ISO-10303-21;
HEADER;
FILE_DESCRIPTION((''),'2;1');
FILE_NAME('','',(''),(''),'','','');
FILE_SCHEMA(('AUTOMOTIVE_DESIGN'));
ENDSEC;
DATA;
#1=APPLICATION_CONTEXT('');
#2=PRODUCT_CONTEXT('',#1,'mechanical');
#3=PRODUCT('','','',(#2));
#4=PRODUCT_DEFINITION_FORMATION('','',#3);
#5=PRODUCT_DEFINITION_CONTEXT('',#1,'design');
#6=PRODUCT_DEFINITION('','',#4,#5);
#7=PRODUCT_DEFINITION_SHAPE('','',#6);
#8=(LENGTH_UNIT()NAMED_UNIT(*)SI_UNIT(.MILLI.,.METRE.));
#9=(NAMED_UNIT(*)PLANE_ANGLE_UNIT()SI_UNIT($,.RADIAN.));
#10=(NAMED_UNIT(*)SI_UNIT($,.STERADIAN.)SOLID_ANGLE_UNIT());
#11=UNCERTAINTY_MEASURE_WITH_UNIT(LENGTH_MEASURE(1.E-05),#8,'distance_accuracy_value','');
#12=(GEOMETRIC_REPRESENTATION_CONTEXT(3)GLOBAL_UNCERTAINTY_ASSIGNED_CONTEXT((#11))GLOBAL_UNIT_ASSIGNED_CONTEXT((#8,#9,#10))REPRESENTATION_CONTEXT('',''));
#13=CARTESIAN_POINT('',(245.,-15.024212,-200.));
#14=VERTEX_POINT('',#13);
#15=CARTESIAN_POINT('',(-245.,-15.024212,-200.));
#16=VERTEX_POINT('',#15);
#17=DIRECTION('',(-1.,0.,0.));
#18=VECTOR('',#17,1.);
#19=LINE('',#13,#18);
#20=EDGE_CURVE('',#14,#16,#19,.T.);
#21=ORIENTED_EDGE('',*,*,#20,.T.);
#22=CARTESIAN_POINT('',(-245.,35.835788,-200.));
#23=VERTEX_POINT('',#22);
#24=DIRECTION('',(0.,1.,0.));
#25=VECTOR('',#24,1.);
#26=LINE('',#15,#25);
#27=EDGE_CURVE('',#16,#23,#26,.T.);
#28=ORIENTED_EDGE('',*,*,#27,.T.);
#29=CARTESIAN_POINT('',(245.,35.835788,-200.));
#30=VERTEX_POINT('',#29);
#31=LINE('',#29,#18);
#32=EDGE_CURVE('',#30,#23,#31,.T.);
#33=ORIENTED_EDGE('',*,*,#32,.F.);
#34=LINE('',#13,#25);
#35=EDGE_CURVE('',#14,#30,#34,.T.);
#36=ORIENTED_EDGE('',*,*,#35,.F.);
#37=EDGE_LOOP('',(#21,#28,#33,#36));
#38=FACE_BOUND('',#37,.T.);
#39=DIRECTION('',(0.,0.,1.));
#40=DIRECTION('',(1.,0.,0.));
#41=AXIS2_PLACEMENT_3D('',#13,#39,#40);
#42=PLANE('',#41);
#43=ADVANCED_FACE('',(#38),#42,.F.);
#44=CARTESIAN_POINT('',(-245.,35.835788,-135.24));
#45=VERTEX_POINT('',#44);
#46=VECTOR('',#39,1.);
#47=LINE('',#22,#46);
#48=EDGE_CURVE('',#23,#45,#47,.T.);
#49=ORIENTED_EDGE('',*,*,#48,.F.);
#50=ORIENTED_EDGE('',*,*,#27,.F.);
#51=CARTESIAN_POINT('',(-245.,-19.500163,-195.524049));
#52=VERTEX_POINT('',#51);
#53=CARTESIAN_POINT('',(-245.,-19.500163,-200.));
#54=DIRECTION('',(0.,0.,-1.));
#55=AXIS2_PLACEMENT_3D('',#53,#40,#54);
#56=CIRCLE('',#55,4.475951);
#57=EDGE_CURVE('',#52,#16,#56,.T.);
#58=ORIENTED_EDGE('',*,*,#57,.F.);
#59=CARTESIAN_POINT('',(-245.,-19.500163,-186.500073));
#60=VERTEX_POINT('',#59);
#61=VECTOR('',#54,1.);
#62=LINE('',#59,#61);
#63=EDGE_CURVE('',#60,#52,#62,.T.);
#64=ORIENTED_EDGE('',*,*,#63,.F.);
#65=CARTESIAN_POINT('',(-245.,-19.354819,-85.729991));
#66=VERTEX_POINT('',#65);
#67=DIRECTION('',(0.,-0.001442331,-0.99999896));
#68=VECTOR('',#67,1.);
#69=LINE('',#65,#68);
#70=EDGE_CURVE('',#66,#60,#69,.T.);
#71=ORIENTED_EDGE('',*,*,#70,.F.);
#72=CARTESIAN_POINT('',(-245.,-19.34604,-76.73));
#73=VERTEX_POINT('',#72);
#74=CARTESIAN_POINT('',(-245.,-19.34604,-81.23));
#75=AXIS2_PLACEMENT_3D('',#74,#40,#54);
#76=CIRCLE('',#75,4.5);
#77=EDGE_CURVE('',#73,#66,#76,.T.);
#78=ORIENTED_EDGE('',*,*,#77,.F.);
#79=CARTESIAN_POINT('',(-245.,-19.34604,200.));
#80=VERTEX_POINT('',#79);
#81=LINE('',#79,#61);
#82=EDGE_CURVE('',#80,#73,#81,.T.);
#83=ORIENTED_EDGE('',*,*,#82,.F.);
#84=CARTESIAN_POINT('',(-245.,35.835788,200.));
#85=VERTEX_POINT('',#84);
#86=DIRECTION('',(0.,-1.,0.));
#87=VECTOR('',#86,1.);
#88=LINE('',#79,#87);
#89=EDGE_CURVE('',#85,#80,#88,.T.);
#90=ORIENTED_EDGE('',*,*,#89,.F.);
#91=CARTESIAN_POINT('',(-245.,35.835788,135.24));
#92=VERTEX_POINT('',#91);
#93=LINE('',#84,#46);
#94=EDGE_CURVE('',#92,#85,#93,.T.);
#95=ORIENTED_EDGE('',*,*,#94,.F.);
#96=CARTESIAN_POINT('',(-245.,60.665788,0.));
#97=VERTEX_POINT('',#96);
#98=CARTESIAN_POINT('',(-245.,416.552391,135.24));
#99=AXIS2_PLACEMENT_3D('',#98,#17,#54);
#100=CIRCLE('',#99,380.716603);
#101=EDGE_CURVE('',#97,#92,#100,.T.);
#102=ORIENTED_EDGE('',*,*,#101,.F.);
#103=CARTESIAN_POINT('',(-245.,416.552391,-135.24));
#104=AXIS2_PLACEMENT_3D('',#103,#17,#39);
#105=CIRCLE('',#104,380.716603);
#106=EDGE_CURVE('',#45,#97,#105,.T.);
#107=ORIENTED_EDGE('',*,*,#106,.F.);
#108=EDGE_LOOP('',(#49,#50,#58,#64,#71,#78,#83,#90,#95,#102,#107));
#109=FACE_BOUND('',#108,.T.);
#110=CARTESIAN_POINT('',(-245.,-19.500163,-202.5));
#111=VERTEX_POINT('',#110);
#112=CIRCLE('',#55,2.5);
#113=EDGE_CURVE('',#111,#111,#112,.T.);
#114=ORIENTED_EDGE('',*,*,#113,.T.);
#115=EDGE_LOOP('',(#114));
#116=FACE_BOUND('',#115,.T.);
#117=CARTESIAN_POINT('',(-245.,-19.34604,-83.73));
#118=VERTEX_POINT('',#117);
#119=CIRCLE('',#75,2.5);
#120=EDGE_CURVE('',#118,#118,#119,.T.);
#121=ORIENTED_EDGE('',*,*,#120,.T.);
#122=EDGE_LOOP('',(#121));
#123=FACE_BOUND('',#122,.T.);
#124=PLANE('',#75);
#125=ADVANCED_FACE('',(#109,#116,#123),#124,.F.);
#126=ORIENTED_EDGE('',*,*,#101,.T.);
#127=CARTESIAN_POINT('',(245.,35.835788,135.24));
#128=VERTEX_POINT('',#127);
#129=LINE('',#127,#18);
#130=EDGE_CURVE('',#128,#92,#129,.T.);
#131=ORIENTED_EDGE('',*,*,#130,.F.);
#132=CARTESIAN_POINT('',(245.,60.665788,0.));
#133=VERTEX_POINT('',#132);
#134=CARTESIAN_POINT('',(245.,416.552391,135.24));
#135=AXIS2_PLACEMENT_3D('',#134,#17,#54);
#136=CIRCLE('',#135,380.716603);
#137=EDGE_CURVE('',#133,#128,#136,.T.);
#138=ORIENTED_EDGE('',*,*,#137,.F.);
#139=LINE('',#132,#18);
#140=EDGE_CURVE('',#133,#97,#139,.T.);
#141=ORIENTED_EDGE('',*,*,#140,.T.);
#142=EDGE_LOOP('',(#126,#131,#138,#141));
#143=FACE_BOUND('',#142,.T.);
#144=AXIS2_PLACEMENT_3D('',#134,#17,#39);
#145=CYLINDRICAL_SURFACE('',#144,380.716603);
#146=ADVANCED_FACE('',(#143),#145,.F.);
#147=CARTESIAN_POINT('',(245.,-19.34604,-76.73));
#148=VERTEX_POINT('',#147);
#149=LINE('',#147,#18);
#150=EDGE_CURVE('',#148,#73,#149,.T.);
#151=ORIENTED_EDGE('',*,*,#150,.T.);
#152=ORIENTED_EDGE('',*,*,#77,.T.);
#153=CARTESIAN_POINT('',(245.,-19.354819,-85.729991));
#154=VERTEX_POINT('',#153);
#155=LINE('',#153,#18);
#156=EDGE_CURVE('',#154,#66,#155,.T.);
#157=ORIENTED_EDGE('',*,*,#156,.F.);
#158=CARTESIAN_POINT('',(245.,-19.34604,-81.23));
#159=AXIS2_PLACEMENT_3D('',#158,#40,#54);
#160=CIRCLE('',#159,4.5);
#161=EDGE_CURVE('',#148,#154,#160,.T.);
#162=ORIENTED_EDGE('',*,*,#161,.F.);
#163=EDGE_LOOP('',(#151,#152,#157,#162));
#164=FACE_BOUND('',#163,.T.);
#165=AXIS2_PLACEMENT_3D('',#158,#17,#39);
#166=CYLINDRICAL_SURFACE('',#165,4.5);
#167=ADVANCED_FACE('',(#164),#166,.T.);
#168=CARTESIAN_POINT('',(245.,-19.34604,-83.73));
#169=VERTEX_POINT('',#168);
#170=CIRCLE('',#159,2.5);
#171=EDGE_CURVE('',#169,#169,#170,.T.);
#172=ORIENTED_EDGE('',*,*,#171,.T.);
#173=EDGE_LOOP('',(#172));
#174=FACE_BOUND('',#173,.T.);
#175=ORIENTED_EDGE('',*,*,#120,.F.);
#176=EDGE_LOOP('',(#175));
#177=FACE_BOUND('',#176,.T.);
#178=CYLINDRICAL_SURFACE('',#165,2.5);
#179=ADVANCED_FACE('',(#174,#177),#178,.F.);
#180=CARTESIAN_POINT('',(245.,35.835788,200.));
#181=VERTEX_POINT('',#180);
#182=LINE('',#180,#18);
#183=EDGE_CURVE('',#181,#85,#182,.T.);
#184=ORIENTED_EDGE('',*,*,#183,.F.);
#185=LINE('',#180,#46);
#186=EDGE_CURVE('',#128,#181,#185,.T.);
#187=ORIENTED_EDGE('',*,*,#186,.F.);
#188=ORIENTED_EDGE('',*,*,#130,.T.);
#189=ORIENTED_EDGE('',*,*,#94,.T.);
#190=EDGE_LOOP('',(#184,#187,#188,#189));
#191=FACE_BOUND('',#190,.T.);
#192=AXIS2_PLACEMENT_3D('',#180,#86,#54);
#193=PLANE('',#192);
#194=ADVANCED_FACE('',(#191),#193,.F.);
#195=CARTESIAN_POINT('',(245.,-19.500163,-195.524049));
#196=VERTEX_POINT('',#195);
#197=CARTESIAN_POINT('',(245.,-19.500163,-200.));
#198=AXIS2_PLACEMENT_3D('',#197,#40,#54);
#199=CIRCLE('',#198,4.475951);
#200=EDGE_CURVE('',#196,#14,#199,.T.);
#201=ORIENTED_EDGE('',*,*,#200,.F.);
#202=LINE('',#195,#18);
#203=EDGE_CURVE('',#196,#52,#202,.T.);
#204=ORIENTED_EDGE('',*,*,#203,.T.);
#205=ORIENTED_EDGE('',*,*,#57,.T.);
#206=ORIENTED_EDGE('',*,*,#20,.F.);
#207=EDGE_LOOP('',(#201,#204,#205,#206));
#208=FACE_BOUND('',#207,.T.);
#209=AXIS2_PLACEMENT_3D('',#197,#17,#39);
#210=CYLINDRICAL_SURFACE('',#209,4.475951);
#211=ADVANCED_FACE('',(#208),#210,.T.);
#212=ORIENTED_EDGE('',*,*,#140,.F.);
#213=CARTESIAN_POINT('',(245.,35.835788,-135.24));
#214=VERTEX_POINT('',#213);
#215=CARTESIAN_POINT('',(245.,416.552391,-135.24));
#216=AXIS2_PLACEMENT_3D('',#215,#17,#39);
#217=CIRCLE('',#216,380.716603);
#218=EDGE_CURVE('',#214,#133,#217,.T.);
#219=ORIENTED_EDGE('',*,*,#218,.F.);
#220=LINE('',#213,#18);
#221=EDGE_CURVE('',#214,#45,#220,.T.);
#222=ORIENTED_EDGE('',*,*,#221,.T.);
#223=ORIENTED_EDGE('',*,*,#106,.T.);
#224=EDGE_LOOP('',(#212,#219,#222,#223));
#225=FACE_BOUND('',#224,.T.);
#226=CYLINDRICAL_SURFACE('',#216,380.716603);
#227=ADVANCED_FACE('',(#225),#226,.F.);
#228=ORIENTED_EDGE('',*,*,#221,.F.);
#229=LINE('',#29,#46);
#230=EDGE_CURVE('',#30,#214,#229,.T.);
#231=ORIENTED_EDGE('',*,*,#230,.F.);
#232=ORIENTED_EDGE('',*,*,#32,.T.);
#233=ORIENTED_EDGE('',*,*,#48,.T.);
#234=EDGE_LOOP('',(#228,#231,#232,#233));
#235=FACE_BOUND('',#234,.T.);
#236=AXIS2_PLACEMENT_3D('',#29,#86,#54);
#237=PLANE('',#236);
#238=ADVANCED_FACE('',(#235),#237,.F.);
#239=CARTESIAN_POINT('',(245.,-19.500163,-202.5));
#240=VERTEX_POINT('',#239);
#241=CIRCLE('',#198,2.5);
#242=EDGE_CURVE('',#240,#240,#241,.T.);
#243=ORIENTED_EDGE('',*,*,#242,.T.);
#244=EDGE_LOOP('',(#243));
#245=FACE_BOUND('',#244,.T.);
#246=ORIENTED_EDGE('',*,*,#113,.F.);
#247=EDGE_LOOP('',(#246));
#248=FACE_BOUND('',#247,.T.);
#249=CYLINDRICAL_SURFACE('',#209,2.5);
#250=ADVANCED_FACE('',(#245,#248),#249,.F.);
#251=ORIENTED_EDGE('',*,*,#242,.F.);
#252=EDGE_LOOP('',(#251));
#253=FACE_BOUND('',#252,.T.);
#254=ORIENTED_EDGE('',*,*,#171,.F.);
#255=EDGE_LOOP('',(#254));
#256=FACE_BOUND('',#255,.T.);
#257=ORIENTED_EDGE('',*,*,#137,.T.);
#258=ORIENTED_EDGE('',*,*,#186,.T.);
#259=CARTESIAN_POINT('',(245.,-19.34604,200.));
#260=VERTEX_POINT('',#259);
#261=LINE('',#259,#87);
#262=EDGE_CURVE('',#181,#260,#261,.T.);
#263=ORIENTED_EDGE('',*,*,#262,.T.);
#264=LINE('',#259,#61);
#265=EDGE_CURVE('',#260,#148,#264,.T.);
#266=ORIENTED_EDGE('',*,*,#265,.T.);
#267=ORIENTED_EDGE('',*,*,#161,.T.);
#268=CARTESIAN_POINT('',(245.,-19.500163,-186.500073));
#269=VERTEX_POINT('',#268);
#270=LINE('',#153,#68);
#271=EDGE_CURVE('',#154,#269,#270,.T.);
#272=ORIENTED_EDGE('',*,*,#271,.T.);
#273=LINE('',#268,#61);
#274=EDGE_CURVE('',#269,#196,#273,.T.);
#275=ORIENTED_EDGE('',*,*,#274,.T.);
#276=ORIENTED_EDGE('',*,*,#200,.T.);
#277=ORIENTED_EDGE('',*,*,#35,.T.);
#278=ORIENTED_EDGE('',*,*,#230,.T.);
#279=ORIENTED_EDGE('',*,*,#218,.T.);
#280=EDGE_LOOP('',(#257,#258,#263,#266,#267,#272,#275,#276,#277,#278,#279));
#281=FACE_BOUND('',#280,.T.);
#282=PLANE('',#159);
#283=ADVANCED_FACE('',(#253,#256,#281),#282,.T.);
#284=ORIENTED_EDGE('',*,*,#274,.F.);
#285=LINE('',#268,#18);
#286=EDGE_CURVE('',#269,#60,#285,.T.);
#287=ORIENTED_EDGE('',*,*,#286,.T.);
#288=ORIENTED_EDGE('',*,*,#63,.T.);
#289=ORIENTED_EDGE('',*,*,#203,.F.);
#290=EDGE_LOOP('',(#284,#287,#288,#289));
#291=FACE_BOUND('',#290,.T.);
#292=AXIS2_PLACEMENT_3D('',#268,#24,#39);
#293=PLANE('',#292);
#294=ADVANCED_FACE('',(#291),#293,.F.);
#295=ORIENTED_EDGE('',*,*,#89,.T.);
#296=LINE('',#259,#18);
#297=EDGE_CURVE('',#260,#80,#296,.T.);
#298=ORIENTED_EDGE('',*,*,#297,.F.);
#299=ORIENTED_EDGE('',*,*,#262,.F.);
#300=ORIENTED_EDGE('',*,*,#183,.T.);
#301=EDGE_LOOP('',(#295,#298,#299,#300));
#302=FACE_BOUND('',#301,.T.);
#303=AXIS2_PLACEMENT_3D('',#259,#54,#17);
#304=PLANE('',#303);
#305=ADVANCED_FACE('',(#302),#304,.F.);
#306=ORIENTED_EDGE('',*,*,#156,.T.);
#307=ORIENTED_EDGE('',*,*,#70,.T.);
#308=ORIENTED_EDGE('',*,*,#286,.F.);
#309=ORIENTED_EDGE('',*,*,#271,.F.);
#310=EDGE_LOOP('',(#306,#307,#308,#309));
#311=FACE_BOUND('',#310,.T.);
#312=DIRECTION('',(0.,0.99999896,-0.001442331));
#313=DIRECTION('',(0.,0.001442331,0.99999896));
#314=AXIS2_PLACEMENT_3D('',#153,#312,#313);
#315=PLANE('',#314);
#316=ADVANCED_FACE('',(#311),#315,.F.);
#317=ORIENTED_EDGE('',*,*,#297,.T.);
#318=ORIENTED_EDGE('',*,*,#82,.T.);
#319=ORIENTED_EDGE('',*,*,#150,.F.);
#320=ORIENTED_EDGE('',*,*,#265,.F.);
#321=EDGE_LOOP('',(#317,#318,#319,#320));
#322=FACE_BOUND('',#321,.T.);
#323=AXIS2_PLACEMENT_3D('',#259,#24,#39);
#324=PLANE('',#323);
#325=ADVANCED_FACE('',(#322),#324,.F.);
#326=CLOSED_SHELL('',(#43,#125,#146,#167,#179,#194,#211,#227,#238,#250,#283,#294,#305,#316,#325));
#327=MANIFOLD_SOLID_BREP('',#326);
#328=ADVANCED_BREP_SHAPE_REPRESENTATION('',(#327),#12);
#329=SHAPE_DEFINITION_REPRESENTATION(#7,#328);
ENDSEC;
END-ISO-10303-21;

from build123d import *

# Parameters (mm, degrees)
ESBO_O1_R                = 2.5
RESSALTO_EXTRUS_O1_DEPTH = 245


with BuildPart() as part:
    # Esboço1 → Ressalto-extrusão1 (new, symmetric)
    with BuildSketch(Plane(origin=(0, 0, 0), x_dir=(0, 0, -1), z_dir=(1, 0, 0))):
        with BuildLine():
            Line((-200, -19.346040211), (-200, 35.835787631))
            Line((-200, 35.835787631), (-135.24, 35.835787631))
            ThreePointArc((-135.24, 35.835787631), (-66.489751819, 42.094735918), (0, 60.665787631))
            ThreePointArc((0, 60.665787631), (66.489751819, 42.094735918), (135.24, 35.835787631))
            Line((135.24, 35.835787631), (200, 35.835787631))
            Line((200, 35.835787631), (200, -15.024212369))
            ThreePointArc((200, -15.024212369), (203.164975379, -22.665138853), (195.524048894, -19.500163474))
            Line((195.524048894, -19.500163474), (186.500073192, -19.500163474))
            Line((186.500073192, -19.500163474), (85.729991436, -19.354819463))
            ThreePointArc((85.729991436, -19.354819463), (81.225610372, -23.84603807), (76.73, -19.346040211))
            Line((76.73, -19.346040211), (-200, -19.346040211))
        make_face()
        with Locations((81.23, -19.346040211)):
            Circle(ESBO_O1_R, mode=Mode.SUBTRACT)
        with Locations((200, -19.500163474)):
            Circle(ESBO_O1_R, mode=Mode.SUBTRACT)
    extrude(amount=RESSALTO_EXTRUS_O1_DEPTH, both=True)


solid = part.part
